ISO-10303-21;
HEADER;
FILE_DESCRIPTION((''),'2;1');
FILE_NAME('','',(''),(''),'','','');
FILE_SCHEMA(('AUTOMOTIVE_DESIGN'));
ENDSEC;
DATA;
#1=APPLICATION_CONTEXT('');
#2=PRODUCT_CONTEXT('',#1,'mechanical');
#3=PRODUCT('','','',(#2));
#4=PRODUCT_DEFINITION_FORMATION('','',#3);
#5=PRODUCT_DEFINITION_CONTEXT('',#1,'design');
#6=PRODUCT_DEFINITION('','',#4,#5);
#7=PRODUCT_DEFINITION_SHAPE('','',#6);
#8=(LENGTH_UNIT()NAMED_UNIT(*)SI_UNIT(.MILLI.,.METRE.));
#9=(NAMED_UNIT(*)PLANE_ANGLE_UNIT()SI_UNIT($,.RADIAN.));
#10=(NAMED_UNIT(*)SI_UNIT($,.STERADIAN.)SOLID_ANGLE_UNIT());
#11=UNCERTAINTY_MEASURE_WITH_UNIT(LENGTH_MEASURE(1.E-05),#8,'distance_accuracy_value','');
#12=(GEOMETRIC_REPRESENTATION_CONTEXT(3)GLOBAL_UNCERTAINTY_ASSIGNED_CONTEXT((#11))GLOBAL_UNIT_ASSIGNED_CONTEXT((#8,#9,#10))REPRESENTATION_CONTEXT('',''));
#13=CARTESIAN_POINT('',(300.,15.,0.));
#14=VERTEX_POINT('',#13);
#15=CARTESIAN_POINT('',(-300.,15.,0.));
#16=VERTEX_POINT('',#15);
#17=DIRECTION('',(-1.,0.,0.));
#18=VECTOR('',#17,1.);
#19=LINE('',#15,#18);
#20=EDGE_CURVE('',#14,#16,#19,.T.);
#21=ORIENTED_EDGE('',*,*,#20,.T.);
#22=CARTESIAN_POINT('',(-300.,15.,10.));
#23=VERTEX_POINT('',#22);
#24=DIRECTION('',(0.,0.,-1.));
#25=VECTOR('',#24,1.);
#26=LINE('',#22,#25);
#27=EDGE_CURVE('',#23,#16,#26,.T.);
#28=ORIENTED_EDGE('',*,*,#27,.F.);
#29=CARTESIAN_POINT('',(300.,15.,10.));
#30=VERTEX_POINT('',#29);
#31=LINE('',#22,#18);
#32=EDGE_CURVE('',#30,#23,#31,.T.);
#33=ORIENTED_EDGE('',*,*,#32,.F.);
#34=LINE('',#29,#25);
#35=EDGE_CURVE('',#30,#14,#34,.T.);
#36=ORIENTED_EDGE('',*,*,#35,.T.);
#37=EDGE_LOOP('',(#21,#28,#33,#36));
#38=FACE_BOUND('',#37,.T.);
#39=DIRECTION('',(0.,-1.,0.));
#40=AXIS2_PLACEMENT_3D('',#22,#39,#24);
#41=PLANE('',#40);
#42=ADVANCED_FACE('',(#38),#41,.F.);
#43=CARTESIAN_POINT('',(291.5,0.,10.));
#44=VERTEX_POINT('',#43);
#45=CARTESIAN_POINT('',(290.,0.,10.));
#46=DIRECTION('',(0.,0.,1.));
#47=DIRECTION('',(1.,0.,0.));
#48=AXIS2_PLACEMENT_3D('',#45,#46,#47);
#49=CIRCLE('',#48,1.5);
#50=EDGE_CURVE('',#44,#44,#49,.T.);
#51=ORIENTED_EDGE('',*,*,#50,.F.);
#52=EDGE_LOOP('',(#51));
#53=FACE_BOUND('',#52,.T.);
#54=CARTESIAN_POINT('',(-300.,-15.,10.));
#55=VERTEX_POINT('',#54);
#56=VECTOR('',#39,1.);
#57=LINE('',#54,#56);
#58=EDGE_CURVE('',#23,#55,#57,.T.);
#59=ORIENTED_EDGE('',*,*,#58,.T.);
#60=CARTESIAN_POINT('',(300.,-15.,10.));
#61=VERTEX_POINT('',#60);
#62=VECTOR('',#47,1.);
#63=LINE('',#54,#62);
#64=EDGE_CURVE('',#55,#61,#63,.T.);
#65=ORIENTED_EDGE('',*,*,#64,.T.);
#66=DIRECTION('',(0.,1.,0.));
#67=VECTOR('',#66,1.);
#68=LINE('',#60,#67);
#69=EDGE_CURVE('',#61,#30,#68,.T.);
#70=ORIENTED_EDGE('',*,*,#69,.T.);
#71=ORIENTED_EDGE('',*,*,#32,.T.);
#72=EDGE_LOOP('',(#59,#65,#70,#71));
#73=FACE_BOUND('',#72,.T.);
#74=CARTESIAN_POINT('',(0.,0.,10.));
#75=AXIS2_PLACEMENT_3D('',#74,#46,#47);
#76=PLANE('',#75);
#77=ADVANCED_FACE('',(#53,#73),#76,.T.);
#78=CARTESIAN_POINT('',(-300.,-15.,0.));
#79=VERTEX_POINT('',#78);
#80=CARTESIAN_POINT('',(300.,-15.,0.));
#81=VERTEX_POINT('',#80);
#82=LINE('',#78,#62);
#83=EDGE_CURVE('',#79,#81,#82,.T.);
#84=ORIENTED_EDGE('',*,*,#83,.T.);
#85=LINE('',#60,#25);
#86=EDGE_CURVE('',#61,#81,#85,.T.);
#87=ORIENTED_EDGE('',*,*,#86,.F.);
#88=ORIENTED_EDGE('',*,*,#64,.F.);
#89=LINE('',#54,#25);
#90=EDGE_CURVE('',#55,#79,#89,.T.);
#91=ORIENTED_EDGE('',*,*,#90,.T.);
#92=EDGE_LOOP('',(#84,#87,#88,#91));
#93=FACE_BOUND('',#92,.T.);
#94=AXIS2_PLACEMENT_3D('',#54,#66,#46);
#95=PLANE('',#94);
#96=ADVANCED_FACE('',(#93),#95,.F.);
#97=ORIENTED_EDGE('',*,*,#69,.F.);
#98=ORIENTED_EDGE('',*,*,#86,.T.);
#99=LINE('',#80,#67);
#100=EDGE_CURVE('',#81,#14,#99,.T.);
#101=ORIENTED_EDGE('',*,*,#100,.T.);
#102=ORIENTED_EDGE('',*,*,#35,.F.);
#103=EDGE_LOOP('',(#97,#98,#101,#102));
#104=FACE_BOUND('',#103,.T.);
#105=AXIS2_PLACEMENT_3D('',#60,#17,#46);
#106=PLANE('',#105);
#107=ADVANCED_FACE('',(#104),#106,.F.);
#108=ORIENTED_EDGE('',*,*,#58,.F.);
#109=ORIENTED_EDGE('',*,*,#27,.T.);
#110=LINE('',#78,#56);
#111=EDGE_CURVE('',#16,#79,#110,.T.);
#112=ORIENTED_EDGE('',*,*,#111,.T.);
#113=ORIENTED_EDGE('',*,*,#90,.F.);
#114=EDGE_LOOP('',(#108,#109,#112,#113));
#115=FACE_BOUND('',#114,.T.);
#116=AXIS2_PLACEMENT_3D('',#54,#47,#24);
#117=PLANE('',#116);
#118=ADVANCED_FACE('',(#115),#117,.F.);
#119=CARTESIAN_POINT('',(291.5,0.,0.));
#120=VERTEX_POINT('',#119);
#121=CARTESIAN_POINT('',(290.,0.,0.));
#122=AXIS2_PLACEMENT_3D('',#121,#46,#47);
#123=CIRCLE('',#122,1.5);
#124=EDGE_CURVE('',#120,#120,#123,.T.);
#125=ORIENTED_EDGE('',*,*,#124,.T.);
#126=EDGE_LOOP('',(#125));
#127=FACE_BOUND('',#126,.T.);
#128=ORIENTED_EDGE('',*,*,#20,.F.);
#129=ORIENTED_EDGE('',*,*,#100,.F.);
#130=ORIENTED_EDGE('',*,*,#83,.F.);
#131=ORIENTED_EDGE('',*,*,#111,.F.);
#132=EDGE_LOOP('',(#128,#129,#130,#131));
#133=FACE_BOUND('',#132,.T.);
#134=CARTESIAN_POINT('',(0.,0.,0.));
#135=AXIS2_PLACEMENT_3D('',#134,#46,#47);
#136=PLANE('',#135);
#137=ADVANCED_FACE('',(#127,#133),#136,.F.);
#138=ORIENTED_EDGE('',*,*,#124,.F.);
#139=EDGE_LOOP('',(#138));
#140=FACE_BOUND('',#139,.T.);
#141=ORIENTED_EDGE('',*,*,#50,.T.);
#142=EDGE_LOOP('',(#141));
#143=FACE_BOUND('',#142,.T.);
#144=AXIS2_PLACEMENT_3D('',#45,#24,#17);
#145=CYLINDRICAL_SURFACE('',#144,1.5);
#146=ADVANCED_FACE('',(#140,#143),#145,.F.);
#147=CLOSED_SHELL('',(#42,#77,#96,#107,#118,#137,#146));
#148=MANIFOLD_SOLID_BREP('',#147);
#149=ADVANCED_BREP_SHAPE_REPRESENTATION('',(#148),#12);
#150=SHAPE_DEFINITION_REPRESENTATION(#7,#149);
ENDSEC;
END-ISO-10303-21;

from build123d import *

# Parameters (mm, degrees)
SKETCH1_W           = 600
SKETCH1_H           = 30
SKETCH1_R           = 1.5
BOSS_EXTRUDE1_DEPTH = 10


with BuildPart() as part:
    # Sketch1 → Boss-Extrude1 (new body)
    with BuildSketch(Plane.XY):
        Rectangle(SKETCH1_W, SKETCH1_H)
        with Locations((290, 0)):
            Circle(SKETCH1_R, mode=Mode.SUBTRACT)
    extrude(amount=BOSS_EXTRUDE1_DEPTH)


solid = part.part
